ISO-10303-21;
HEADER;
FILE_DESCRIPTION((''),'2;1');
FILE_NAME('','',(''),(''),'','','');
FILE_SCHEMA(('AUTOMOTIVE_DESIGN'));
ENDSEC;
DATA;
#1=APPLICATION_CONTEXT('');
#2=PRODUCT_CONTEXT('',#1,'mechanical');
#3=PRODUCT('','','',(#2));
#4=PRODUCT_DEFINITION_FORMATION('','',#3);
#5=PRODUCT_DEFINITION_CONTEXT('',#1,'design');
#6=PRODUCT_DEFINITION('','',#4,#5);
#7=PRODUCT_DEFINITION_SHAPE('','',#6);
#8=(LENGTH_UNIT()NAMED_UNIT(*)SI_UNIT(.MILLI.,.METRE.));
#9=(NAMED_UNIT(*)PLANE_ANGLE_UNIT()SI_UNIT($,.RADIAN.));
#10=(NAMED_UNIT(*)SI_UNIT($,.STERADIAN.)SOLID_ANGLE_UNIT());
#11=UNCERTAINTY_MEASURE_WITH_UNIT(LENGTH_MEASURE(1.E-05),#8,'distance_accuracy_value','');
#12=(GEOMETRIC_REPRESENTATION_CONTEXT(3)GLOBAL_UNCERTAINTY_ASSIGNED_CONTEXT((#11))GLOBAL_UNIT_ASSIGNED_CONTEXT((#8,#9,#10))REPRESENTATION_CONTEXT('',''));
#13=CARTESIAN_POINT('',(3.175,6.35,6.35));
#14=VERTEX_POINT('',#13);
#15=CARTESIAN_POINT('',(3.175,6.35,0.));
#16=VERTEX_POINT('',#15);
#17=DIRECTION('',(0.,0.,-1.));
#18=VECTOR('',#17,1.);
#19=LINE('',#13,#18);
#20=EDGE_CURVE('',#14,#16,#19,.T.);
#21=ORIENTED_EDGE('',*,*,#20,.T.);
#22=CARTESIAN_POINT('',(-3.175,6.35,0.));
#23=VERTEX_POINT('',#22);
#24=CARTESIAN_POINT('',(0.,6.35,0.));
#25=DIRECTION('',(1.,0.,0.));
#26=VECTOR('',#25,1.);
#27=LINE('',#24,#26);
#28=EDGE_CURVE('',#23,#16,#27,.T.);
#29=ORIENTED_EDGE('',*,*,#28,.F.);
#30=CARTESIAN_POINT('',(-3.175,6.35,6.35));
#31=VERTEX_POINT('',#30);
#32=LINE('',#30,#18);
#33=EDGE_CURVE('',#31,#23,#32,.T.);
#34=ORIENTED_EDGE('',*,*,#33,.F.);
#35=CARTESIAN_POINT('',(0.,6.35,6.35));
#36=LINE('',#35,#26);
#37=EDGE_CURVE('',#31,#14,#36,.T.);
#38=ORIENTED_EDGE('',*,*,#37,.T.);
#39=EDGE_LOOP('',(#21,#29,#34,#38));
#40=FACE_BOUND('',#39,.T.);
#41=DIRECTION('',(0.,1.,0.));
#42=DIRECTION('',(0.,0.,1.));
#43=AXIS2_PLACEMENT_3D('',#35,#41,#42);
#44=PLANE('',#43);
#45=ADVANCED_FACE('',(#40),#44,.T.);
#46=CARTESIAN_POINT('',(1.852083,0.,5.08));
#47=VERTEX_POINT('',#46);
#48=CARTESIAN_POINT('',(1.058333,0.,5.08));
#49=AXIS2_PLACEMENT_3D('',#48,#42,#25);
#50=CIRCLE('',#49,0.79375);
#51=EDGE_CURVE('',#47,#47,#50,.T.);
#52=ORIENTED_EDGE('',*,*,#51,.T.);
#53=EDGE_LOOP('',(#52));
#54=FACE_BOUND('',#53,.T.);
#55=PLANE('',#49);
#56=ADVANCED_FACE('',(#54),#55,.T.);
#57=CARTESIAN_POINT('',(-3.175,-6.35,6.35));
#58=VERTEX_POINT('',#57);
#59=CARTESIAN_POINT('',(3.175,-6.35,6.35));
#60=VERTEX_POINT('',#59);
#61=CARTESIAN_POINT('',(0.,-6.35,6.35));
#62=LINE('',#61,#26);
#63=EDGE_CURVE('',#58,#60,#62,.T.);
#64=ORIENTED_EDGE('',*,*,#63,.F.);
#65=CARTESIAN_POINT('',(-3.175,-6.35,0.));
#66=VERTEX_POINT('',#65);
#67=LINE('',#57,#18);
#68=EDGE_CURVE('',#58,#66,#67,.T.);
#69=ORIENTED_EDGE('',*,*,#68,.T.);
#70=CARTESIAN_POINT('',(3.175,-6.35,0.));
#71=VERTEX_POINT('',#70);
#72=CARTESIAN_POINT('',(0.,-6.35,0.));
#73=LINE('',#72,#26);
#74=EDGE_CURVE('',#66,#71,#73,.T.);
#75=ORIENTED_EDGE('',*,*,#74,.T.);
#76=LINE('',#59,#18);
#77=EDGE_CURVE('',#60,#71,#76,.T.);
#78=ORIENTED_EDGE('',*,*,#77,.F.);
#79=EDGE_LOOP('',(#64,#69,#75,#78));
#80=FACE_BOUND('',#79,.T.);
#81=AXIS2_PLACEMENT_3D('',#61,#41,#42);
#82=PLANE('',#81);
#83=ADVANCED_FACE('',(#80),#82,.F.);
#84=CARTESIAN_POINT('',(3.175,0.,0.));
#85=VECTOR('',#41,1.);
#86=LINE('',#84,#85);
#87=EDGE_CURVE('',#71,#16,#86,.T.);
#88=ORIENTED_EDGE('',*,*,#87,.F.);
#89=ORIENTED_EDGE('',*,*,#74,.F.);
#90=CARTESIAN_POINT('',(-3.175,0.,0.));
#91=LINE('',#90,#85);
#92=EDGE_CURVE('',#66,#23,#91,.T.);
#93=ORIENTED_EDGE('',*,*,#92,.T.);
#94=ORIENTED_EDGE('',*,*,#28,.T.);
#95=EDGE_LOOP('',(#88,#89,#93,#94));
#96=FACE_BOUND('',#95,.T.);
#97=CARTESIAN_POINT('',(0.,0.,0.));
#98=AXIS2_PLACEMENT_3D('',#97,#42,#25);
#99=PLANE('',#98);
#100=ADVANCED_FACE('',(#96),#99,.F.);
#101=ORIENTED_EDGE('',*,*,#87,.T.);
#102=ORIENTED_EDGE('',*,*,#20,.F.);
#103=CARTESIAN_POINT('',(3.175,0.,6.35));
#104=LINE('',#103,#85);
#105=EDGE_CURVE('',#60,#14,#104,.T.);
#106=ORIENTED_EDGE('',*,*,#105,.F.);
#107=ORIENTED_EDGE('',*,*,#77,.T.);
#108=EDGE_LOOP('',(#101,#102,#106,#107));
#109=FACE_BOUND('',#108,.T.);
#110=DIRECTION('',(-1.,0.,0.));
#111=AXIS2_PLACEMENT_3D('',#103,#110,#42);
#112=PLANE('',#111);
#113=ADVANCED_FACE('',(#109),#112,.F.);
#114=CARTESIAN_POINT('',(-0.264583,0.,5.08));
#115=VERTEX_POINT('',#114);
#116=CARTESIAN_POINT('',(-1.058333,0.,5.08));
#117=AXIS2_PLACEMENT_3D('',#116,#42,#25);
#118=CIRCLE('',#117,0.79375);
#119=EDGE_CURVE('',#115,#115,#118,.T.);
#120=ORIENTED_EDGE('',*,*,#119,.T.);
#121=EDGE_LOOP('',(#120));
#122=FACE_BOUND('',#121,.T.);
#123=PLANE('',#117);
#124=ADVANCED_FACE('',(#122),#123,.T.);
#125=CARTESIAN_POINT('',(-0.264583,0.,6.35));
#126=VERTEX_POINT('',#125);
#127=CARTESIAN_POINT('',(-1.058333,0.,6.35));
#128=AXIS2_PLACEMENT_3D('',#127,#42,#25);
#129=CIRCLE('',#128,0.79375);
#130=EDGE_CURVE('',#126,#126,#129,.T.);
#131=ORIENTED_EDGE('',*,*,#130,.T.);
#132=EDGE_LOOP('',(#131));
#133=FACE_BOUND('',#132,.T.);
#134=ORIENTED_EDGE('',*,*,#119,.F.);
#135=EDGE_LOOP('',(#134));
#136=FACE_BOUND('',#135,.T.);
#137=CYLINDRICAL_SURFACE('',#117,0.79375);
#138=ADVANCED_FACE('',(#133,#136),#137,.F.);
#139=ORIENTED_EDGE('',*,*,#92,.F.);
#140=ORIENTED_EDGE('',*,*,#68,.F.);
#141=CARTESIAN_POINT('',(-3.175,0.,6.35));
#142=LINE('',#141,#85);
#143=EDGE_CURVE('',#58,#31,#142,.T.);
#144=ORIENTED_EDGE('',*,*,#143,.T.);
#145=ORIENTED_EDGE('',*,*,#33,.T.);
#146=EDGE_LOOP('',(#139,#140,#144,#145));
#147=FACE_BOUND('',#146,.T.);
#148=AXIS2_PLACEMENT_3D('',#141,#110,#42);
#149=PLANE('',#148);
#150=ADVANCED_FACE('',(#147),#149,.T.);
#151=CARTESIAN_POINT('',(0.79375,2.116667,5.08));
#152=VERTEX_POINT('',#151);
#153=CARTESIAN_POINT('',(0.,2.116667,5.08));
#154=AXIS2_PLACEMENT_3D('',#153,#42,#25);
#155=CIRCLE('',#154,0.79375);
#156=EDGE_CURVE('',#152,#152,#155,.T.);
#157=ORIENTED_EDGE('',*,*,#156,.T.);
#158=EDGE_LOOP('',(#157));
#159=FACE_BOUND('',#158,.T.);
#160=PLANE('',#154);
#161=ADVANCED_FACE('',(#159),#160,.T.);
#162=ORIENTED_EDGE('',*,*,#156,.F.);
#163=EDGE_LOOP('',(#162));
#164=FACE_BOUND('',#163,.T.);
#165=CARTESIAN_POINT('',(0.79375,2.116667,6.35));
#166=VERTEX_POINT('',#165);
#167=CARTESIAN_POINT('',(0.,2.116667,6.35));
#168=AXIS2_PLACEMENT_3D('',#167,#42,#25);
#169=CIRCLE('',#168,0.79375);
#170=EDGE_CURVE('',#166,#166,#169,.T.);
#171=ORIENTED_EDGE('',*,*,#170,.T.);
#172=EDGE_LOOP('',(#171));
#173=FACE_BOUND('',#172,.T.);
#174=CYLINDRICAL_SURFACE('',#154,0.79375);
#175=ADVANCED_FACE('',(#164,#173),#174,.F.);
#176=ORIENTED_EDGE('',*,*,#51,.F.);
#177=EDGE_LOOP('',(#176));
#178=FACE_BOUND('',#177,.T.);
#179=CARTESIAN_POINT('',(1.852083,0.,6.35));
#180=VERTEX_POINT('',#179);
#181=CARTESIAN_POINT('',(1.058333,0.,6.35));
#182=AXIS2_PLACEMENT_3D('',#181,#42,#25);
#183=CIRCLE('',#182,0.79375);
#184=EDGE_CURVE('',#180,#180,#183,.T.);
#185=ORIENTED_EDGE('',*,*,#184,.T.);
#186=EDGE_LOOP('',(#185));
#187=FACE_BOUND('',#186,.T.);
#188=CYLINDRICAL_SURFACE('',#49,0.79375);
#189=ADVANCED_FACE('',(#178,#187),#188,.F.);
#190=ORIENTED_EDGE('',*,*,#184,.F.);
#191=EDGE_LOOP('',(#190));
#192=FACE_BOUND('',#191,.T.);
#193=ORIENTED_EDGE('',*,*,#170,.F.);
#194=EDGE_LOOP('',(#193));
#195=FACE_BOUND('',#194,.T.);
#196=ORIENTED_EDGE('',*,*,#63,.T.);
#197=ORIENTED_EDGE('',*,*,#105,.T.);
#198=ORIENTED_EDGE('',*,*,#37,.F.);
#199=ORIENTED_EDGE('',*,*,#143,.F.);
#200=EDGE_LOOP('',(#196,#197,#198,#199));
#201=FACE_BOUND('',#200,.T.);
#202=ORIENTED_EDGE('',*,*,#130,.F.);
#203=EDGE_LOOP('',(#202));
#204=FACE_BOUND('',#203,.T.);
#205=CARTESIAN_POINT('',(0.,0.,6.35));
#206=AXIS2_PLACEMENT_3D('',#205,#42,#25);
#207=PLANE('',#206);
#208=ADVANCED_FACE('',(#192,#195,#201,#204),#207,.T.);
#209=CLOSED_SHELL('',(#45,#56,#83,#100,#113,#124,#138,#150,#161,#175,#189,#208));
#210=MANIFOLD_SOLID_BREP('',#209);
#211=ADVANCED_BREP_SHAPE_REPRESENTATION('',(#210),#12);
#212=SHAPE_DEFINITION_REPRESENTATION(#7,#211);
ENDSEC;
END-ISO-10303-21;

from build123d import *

# Parameters (mm, degrees)
SKETCH1_W           = 6.35
SKETCH1_H           = 12.7
SKETCH1_R           = 0.79375
BOSS_EXTRUDE1_DEPTH = 6.35
CUT_EXTRUDE1_START  = 6.35
SKETCH1_3_R         = 0.79375
CUT_EXTRUDE1_DEPTH  = 1.27


with BuildPart() as part:
    # Sketch1 → Boss-Extrude1 (new body)
    with BuildSketch(Plane.XY):
        Rectangle(SKETCH1_W, SKETCH1_H)
        with Locations((1.058333333, 0)):
            Circle(SKETCH1_R, mode=Mode.SUBTRACT)
        with Locations((-1.058333333, 0)):
            Circle(SKETCH1_R, mode=Mode.SUBTRACT)
        with Locations((0, 2.116666667)):
            Circle(SKETCH1_R, mode=Mode.SUBTRACT)
        with Locations((-1.058333333, 0)):
            Circle(SKETCH1_R)
        with Locations((0, 2.116666667)):
            Circle(SKETCH1_R)
        with Locations((1.058333333, 0)):
            Circle(SKETCH1_R)
    extrude(amount=BOSS_EXTRUDE1_DEPTH)

    # Sketch1<3> → Cut-Extrude1 (cut)
    with BuildSketch(Plane.XY.offset(CUT_EXTRUDE1_START)):
        with Locations((-1.058333333, 0)):
            Circle(SKETCH1_3_R)
        with Locations((0, 2.116666667)):
            Circle(SKETCH1_3_R)
        with Locations((1.058333333, 0)):
            Circle(SKETCH1_3_R)
    extrude(amount=-CUT_EXTRUDE1_DEPTH, mode=Mode.SUBTRACT)


solid = part.part
